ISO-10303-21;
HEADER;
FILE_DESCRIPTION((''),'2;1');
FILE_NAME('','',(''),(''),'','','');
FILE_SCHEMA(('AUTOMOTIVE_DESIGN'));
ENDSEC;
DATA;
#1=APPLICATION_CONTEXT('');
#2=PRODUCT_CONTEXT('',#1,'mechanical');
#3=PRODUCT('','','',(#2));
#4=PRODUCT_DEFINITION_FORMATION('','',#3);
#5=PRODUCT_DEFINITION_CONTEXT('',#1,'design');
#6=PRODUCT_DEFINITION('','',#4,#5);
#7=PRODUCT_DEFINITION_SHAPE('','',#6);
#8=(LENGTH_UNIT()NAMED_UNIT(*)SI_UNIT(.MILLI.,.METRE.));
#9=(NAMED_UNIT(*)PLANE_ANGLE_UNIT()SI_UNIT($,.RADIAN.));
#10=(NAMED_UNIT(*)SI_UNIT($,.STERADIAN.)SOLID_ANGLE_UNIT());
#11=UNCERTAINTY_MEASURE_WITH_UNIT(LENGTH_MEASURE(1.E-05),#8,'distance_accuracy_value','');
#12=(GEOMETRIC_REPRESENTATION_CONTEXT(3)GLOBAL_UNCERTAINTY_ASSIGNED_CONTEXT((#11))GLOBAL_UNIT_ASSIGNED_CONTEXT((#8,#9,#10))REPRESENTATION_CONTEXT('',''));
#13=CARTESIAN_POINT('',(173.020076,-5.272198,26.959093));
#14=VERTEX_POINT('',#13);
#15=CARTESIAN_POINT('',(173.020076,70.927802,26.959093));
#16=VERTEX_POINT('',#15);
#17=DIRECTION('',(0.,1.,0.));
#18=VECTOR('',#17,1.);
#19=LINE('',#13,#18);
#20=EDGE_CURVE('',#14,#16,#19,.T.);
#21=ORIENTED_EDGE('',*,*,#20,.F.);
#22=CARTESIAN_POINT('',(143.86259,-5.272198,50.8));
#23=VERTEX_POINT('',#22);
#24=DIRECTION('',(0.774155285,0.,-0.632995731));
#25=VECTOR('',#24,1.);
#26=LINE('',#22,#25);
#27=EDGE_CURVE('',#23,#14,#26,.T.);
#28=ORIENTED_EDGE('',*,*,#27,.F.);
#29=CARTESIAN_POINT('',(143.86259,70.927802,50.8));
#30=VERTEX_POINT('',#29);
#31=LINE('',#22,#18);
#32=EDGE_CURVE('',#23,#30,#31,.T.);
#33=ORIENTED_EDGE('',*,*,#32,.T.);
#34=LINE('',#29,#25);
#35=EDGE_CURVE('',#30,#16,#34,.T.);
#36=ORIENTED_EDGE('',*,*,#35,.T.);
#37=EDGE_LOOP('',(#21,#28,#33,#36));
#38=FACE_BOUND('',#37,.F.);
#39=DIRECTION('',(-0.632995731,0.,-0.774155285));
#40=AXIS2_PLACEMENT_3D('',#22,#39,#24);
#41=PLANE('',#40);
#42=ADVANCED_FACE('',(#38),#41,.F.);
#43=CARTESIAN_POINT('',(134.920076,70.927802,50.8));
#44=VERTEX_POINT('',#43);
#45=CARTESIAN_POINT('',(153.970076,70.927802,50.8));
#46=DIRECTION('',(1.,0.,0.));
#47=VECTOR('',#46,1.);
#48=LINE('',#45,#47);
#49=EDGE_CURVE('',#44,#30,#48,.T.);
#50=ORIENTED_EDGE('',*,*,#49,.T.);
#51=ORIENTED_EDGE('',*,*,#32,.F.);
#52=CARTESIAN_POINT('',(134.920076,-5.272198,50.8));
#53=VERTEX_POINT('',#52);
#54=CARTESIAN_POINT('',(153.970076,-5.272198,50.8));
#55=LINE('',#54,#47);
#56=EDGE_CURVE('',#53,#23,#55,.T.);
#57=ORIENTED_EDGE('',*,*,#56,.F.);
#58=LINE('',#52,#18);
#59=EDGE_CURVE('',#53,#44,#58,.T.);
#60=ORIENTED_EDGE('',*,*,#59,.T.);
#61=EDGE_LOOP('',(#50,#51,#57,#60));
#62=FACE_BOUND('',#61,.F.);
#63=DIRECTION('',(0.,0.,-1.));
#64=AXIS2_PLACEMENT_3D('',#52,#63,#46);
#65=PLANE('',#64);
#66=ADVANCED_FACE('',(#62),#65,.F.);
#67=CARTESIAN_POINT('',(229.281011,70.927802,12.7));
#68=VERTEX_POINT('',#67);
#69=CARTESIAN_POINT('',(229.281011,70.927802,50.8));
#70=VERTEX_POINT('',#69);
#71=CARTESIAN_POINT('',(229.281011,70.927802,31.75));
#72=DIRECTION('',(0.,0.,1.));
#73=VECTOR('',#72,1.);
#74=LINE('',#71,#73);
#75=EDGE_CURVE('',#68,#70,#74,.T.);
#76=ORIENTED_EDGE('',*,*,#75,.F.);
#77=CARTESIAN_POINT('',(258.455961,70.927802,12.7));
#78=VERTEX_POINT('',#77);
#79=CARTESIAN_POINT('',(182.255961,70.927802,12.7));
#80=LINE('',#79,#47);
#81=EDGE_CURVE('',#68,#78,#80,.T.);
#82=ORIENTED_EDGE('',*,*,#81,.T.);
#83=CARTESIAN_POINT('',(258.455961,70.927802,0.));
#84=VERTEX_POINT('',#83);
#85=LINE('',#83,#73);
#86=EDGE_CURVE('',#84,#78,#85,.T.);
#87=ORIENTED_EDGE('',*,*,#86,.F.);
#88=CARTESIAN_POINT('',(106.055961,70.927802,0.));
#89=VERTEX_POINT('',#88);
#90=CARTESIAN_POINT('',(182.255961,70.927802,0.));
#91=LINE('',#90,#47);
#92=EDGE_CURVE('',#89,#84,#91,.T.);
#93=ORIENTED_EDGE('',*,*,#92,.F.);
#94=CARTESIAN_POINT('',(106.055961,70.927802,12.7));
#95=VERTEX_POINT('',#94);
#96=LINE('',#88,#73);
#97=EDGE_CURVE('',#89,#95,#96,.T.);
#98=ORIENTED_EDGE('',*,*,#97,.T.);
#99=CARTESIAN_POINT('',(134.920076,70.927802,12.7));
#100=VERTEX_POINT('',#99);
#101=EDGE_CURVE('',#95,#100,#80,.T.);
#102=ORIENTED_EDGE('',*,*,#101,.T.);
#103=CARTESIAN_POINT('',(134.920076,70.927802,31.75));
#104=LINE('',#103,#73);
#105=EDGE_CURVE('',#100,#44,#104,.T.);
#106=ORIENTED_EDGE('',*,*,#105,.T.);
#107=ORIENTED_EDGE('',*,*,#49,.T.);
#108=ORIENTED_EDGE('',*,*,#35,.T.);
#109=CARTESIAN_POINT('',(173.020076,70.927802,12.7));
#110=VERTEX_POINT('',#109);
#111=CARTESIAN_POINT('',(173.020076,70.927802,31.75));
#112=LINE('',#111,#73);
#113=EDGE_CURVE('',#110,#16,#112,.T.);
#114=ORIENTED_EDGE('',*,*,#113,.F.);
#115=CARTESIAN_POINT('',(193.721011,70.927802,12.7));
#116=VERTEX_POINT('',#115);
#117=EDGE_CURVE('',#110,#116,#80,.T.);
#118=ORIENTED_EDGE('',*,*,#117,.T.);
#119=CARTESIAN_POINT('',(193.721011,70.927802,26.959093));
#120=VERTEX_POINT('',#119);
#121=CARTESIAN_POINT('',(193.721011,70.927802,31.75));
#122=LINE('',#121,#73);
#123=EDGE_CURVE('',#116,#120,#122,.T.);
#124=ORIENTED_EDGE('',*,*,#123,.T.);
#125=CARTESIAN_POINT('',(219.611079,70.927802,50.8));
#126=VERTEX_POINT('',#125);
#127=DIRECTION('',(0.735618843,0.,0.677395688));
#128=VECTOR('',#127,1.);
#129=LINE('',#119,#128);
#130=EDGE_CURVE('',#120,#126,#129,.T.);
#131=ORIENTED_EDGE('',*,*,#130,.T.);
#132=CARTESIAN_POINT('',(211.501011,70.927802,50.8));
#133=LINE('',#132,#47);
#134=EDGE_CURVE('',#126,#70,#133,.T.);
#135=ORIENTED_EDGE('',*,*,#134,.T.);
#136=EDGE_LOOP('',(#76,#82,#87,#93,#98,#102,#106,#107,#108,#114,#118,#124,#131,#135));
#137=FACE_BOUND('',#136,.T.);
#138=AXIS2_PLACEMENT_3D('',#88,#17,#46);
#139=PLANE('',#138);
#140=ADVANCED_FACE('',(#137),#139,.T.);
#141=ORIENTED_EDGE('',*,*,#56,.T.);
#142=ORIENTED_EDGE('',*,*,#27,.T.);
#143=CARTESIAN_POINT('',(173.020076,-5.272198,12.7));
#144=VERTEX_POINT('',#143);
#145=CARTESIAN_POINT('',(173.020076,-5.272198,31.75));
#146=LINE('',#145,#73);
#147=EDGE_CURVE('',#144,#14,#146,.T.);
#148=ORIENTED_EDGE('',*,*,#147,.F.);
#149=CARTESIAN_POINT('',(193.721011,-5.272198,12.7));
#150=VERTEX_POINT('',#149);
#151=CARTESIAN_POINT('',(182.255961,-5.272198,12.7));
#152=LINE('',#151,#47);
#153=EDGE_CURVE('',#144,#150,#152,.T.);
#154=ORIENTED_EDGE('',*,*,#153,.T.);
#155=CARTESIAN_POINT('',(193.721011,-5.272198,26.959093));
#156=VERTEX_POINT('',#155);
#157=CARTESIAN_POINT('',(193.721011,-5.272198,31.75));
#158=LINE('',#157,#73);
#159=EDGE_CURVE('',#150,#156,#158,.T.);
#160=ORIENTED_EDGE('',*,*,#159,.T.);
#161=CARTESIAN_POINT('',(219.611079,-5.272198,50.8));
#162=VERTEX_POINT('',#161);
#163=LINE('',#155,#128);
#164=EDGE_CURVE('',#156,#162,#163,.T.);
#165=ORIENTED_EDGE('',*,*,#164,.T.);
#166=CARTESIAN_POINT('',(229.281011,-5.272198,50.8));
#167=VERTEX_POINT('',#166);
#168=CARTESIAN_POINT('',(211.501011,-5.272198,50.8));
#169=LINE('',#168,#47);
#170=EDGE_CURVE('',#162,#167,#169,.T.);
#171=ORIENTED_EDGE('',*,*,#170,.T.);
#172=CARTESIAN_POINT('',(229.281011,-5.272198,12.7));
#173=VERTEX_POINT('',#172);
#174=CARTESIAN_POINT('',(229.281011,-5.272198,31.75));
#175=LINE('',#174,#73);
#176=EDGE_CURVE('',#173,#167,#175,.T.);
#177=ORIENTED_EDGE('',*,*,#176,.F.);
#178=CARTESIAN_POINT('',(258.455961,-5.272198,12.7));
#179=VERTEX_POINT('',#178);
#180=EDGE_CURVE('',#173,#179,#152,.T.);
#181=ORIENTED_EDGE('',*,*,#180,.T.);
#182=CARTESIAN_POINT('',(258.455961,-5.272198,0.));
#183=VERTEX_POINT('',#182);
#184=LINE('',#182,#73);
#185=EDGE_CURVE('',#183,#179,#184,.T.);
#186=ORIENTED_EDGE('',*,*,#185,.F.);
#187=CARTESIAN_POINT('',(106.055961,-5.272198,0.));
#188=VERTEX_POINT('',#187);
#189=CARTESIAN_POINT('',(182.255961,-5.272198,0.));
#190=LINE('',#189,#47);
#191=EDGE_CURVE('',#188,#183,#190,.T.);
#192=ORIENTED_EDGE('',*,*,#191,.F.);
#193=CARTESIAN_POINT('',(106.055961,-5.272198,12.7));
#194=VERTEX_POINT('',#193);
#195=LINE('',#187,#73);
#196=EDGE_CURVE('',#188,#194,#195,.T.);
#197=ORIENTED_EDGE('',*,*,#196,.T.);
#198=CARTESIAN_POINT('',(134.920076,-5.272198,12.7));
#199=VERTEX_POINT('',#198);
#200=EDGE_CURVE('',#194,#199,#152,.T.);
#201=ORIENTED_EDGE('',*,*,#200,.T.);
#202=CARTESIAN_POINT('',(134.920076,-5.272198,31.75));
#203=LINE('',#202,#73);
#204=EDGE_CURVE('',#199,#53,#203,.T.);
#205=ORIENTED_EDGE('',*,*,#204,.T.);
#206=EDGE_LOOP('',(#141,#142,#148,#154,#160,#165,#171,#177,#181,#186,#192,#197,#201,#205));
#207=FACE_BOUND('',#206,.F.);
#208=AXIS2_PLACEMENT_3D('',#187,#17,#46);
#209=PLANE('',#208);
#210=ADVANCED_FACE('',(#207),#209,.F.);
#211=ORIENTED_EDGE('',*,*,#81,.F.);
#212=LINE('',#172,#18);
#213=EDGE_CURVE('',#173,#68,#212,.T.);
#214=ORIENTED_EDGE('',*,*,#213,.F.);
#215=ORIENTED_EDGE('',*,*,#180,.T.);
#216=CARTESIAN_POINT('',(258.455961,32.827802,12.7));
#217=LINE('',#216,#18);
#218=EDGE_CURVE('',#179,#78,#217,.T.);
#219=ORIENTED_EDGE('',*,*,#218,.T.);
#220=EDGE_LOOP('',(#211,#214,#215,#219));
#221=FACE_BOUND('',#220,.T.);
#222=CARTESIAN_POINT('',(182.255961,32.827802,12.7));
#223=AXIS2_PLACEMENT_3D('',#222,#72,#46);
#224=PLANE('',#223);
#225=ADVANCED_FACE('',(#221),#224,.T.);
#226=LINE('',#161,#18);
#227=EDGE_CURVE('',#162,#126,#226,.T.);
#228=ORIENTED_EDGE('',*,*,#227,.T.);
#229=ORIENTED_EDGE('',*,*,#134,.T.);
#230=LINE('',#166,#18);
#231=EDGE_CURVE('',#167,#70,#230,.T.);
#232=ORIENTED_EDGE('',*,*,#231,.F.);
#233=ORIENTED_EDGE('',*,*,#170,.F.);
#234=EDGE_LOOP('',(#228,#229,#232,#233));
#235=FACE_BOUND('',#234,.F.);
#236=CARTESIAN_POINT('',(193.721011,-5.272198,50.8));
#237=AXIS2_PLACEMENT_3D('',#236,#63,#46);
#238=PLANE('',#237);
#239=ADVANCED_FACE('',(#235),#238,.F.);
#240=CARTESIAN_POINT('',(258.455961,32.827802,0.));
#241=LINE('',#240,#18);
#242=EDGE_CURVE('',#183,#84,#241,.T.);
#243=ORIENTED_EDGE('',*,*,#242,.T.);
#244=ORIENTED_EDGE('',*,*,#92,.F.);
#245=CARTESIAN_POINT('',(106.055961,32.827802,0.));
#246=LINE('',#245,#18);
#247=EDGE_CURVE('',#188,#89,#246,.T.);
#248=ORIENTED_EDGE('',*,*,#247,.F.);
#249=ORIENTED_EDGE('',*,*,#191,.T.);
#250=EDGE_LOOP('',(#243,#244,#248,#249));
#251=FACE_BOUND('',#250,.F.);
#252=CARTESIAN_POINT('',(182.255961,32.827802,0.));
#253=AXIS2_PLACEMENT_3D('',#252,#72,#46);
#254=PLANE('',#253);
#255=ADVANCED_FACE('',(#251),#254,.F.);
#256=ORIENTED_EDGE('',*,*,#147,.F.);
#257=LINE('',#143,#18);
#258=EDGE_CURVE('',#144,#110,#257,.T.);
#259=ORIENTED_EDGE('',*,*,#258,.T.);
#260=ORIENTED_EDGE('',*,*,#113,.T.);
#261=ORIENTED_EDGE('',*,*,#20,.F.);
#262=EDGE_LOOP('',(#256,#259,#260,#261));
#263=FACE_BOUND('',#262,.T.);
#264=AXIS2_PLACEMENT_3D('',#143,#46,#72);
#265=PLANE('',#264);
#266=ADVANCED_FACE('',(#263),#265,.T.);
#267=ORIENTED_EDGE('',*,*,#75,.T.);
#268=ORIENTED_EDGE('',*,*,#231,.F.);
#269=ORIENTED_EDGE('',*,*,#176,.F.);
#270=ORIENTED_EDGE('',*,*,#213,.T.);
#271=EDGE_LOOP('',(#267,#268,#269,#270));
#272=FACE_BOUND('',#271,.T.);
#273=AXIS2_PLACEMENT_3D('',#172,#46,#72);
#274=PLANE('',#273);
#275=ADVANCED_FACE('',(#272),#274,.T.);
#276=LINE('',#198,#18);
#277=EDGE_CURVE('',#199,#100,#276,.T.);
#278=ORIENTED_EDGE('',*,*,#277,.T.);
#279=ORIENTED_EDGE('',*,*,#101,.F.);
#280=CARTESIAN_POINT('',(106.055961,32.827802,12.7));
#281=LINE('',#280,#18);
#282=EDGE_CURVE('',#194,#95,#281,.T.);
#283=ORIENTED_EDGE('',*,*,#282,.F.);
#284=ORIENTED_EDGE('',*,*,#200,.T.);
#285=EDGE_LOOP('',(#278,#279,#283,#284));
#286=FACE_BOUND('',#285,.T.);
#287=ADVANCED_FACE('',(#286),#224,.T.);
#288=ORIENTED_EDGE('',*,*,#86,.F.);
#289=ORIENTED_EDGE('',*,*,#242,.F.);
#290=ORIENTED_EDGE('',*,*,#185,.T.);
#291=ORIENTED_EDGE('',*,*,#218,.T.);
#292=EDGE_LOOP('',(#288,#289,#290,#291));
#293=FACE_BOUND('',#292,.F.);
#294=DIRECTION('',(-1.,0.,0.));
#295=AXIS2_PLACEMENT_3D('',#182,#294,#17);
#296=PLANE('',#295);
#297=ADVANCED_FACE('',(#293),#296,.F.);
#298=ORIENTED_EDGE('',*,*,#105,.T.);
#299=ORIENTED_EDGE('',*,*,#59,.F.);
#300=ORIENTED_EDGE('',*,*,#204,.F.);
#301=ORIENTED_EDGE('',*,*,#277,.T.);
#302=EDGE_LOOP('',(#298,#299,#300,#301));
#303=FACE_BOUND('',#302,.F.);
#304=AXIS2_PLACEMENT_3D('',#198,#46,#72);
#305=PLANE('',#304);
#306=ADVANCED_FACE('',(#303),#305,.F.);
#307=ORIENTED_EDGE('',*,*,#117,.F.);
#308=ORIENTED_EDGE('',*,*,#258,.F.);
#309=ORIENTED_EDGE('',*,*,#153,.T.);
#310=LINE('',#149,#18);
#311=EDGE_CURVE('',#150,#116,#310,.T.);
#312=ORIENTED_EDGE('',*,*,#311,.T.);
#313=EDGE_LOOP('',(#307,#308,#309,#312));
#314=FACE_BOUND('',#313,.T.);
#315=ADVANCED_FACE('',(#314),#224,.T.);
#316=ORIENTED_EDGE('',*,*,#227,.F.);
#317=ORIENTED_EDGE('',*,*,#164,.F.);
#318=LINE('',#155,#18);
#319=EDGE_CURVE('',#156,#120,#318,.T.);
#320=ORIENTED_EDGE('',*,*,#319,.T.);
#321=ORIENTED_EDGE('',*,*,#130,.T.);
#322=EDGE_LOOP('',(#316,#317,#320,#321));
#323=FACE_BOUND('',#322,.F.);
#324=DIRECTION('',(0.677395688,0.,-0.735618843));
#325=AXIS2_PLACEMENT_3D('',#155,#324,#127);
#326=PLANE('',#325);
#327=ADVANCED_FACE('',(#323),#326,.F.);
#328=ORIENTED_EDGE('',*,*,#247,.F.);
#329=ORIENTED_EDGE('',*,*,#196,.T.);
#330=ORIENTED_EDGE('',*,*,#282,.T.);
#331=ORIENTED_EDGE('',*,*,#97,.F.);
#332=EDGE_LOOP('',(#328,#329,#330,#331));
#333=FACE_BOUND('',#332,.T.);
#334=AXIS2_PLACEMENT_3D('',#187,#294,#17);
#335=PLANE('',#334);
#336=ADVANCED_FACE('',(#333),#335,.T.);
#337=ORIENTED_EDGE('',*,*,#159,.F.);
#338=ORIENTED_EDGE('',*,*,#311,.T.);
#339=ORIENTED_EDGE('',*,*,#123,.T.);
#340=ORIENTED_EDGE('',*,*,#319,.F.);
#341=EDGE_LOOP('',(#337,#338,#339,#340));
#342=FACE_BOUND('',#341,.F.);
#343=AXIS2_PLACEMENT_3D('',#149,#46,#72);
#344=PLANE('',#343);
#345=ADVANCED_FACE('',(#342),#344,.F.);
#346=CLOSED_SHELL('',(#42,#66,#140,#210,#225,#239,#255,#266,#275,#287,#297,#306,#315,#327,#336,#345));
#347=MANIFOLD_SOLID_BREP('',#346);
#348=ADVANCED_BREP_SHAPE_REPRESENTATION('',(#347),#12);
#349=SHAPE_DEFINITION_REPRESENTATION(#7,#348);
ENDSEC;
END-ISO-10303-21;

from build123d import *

# Parameters (mm, degrees)
F0_W     = 152.4
F0_H     = 76.2
F1_DEPTH = 12.7
F2_W     = 38.1
F2_H     = 38.1
F3_DEPTH = 76.2
F4_W     = 35.56
F4_H     = 38.1
F5_DEPTH = 76.2
F7_DEPTH = 76.2
F9_DEPTH = 76.2


with BuildPart() as f1:
    # F0 (on Top) → F1 (new body)
    with BuildSketch(Plane.XY):
        with Locations((182.255961, 32.827802)):
            Rectangle(F0_W, F0_H)
    extrude(amount=F1_DEPTH)

    # F2 (on face) → F3 (join)
    with BuildSketch(Plane.XZ.offset(5.272198)):
        with Locations((153.970076, 31.75)):
            Rectangle(F2_W, F2_H)
    extrude(amount=-F3_DEPTH)

    # F4 (on face) → F5 (join)
    with BuildSketch(Plane.XZ.offset(5.272198)):
        with Locations((211.501011, 31.75)):
            Rectangle(F4_W, F4_H)
    extrude(amount=-F5_DEPTH)

    # F6 (on face) → F7 (cut)
    with BuildSketch(Plane.XZ.offset(5.272198)):
        Polygon((173.020076, 50.8), (143.86259, 50.8), (173.020076, 26.959093), align=None)
    extrude(amount=-F7_DEPTH, mode=Mode.SUBTRACT)

    # F8 (on face) → F9 (cut)
    with BuildSketch(Plane.XZ.offset(5.272198)):
        Polygon((193.721011, 26.959093), (219.611079, 50.8), (193.721011, 50.8), align=None)
    extrude(amount=-F9_DEPTH, mode=Mode.SUBTRACT)


solid = f1.part
